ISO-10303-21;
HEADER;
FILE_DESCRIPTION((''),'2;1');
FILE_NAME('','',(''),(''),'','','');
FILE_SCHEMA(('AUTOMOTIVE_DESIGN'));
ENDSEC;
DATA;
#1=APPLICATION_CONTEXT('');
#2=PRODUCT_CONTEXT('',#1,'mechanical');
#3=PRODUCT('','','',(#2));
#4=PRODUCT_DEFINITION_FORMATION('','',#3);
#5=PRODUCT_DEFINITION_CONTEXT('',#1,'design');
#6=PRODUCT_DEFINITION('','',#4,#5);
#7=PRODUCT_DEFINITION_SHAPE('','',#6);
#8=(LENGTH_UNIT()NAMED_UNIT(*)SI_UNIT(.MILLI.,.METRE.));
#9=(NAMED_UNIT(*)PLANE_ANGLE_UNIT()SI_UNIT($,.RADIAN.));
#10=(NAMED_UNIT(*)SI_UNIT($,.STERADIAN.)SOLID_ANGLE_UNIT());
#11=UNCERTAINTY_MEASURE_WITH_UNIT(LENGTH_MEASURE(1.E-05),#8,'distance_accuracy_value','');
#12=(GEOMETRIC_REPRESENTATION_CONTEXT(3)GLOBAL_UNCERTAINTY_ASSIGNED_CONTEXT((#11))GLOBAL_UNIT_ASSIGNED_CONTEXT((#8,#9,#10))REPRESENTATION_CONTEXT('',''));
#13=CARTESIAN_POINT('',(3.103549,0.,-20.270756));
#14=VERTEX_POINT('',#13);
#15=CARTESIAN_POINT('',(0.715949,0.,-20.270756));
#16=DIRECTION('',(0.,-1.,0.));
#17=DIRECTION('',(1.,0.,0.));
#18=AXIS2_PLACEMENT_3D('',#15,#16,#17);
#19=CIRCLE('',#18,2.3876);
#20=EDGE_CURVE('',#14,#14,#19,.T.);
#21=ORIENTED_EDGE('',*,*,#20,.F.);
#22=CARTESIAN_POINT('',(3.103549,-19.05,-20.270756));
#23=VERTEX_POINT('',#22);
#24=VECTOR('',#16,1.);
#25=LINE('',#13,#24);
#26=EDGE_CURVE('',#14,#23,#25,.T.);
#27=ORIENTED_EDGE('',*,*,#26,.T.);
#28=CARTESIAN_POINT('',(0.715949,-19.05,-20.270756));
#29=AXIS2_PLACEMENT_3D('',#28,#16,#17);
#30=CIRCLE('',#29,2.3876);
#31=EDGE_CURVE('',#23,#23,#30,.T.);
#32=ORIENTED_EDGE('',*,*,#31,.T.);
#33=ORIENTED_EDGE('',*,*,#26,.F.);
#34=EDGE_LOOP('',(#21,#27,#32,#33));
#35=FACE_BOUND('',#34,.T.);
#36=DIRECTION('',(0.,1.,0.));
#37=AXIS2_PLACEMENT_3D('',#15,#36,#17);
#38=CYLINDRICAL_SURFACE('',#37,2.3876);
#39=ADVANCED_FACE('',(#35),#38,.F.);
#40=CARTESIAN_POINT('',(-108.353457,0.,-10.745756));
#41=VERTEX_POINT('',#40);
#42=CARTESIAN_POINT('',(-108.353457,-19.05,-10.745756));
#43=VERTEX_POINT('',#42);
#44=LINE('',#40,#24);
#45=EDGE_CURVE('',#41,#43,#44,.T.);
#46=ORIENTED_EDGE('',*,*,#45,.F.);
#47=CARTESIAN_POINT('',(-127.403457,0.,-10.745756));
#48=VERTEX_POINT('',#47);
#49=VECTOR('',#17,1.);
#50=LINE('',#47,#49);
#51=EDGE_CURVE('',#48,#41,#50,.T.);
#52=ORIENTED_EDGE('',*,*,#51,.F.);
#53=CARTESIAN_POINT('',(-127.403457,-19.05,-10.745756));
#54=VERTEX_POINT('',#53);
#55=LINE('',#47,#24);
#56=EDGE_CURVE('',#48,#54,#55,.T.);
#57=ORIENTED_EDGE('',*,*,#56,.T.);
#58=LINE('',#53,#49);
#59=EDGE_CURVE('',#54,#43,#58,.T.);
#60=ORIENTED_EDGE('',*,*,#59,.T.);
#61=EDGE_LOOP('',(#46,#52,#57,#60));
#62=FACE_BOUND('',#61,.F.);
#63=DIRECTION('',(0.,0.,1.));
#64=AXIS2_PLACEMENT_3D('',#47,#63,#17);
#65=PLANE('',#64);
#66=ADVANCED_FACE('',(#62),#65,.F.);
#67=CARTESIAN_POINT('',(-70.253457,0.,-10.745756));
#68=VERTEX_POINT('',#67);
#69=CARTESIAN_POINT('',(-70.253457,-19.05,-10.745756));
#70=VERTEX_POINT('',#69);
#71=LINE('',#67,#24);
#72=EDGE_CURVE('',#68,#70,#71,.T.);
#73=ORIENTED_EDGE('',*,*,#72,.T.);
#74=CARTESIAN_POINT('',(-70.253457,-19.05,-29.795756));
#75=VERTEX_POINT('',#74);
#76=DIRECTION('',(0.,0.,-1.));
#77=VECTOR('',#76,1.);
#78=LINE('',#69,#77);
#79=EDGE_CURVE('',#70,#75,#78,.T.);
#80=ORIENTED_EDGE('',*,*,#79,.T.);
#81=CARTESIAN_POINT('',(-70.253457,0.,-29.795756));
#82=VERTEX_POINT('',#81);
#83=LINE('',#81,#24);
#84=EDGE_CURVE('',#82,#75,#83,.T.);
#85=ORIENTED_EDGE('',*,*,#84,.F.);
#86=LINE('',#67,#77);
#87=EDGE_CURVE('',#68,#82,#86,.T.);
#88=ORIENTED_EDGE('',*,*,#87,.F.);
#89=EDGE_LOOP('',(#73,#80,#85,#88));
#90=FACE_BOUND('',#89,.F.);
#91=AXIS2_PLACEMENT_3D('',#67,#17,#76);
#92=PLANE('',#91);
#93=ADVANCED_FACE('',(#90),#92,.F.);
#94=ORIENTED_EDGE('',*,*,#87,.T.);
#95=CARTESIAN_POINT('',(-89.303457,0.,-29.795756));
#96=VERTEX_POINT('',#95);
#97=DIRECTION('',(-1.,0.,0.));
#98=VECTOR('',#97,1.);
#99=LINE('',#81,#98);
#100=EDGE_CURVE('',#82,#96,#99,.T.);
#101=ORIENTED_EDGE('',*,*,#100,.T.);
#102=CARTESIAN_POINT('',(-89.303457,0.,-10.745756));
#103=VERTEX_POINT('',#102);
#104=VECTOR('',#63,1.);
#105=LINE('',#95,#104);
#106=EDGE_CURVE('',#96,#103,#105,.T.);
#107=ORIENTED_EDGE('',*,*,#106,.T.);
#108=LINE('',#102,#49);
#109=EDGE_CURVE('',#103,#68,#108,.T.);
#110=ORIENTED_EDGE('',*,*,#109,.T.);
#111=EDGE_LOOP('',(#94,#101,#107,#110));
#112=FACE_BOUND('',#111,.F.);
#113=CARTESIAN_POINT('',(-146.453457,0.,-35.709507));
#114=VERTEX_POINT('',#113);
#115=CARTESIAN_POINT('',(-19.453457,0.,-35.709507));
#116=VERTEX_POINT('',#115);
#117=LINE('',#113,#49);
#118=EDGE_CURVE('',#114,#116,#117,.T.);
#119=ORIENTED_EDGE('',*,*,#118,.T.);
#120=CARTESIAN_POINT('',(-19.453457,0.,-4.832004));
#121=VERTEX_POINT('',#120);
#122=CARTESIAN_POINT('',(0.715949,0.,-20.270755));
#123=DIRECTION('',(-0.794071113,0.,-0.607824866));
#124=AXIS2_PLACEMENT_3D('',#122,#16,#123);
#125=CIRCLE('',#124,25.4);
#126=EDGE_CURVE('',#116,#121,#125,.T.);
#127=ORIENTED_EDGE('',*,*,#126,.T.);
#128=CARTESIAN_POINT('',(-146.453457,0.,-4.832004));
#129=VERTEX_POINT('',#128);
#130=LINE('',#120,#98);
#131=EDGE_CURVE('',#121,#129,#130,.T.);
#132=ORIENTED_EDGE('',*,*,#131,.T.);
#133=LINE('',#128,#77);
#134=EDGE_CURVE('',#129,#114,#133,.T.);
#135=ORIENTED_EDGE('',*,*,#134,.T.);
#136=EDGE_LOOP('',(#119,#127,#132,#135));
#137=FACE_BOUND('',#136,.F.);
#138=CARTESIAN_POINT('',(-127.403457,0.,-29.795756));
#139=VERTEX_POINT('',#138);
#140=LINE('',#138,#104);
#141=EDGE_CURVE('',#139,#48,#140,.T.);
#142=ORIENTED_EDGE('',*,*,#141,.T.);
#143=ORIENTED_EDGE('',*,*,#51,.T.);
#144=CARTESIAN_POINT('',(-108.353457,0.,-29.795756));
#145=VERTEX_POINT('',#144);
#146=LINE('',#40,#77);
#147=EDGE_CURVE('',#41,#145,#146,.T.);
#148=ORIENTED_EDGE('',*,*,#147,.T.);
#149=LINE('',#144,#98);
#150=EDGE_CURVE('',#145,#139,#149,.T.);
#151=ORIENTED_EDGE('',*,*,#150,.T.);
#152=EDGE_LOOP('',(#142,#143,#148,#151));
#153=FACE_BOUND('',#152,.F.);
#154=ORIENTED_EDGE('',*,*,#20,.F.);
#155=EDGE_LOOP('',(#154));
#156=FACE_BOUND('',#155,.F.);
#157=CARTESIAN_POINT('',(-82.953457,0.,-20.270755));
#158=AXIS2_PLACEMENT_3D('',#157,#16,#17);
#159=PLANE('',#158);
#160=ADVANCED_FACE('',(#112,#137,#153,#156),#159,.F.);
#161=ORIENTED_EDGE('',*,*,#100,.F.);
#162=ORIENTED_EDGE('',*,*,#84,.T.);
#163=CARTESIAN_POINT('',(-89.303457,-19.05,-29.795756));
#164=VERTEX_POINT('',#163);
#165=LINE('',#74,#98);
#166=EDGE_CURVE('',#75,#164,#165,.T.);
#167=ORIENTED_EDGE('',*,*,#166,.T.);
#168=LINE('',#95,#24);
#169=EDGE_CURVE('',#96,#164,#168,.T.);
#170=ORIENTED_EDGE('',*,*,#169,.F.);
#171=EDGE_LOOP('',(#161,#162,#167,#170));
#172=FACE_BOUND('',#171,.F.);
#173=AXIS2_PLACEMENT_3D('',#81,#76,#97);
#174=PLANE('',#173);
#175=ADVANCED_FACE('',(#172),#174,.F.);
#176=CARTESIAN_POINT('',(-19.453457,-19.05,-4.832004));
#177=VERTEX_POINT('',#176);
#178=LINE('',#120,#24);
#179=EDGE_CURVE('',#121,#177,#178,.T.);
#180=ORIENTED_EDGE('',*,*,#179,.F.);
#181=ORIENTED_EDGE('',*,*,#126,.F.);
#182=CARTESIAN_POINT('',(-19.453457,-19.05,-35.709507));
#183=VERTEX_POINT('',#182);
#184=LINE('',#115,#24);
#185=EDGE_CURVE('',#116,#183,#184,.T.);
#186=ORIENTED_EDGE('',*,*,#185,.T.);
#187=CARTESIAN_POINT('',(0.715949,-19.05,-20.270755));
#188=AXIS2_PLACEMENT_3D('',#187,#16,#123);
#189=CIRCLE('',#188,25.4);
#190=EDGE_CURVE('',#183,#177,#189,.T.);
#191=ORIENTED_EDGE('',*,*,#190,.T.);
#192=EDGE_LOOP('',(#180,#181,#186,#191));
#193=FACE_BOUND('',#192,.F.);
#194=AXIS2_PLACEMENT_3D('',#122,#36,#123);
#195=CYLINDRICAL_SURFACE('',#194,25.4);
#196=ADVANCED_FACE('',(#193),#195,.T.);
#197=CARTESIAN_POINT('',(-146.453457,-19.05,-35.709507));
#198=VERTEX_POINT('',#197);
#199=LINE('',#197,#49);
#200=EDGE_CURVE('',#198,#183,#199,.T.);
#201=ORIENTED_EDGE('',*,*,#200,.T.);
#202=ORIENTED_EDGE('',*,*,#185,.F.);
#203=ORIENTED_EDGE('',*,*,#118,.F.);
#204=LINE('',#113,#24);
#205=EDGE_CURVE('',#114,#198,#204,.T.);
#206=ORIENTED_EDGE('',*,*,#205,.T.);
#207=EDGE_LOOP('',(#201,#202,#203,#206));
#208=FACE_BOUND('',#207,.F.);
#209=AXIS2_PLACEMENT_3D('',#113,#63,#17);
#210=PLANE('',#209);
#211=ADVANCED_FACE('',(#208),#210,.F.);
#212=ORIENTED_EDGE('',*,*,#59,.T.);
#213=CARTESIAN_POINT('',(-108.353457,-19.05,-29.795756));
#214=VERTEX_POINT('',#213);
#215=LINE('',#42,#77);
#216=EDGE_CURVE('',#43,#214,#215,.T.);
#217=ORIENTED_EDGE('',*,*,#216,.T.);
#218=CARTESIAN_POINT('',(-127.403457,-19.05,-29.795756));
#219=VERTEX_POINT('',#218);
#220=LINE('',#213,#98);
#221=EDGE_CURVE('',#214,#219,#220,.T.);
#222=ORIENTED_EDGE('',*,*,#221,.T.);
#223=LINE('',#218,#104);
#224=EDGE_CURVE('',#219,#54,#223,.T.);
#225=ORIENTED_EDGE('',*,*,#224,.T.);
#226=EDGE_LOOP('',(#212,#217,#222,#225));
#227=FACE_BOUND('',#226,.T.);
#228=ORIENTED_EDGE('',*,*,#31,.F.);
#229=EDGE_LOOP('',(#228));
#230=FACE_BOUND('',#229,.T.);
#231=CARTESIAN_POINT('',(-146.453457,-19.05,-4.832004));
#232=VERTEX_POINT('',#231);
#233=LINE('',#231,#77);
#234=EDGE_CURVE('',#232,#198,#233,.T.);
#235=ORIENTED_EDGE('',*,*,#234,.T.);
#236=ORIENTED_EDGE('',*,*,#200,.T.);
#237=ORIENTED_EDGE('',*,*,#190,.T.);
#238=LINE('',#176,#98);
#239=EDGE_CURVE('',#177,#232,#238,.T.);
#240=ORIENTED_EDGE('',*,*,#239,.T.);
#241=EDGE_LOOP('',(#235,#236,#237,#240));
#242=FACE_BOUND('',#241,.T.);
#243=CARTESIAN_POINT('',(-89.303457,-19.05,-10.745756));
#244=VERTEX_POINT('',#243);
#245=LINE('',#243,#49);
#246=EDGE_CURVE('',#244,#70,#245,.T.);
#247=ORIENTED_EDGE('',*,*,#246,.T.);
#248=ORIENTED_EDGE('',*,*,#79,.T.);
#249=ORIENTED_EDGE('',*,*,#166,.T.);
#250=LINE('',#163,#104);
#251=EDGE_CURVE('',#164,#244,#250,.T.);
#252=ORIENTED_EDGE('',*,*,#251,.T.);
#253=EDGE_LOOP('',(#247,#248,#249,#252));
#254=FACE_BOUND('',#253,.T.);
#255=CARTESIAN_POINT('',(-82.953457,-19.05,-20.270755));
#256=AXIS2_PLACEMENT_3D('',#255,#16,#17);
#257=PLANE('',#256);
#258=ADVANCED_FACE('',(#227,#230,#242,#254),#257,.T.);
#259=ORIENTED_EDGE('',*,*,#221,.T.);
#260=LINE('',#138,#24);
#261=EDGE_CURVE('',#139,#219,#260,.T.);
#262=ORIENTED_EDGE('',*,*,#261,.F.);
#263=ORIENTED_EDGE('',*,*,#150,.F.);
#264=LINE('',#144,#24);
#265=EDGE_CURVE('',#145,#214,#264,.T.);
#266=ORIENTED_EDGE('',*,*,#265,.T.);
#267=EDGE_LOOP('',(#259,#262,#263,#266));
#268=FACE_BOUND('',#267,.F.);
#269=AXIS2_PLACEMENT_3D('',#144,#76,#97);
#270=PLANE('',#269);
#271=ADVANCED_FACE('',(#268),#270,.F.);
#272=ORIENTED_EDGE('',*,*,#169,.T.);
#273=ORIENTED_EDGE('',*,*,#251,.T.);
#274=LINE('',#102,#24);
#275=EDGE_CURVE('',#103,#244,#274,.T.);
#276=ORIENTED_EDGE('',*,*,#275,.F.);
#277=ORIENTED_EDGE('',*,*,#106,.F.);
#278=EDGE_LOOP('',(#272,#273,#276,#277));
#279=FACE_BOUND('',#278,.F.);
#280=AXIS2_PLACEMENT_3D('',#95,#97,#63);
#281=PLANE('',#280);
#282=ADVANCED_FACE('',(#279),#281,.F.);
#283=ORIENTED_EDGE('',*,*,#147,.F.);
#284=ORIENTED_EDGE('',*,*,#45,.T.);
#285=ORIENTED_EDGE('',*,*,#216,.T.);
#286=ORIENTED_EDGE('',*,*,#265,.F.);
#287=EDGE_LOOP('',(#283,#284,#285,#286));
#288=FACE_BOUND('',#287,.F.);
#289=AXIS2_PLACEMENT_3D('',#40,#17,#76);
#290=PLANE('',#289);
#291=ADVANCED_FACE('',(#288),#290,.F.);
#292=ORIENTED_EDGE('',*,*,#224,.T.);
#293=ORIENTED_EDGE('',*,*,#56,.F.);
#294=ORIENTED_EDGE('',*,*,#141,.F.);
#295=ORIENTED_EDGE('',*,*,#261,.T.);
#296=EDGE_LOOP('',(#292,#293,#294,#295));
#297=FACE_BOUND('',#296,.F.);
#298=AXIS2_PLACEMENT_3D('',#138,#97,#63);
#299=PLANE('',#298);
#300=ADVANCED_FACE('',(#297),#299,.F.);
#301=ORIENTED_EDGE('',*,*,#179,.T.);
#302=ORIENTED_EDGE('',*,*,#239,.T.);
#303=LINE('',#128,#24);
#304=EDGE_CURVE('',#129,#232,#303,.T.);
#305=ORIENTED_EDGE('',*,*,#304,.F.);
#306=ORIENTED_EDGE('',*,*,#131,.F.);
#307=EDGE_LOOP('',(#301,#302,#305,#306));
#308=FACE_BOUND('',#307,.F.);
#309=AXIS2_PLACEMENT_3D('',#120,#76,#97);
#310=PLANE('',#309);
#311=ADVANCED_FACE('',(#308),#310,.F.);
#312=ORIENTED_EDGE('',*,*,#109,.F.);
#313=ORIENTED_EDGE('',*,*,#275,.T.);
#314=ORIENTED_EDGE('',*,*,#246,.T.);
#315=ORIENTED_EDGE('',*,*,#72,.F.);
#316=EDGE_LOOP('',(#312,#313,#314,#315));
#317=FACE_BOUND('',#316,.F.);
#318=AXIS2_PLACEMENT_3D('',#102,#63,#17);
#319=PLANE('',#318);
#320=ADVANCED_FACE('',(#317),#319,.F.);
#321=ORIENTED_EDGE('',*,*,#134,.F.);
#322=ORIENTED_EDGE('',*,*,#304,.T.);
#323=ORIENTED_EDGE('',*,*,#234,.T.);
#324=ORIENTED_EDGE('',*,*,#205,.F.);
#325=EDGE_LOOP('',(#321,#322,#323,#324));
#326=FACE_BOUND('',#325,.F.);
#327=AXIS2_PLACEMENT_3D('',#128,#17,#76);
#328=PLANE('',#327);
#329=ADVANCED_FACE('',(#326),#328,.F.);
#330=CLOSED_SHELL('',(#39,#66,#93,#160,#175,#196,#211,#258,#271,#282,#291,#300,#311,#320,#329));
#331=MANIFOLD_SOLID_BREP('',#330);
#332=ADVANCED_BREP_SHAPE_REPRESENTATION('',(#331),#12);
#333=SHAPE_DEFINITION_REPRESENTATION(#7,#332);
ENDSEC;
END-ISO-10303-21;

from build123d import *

# Parameters (mm, degrees)
F0_R     = 2.3876
F1_DEPTH = 19.05


with BuildPart() as f1:
    # F0 (on Front) → F1 (new body)
    with BuildSketch(Plane.XZ):
        Polygon((-19.453457, -4.832004), (-146.453457, -4.832004), (-146.453457, -20.270756), (-146.453457, -35.709507), (-19.453457, -35.709507), align=None)
        Polygon((-127.403457, -29.795756), (-127.403457, -20.270756), (-127.403457, -10.745756), (-108.353457, -10.745756), (-108.353457, -20.270756), (-108.353457, -29.795756), align=None, mode=Mode.SUBTRACT)
        Polygon((-89.303457, -29.795756), (-89.303457, -20.270756), (-89.303457, -10.745756), (-70.253457, -10.745756), (-70.253457, -20.270756), (-70.253457, -29.795756), align=None, mode=Mode.SUBTRACT)
        with BuildLine():
            ThreePointArc((-19.453457, -35.709507), (26.115949, -20.270756), (-19.453457, -4.832004))
            Line((-19.453457, -4.832004), (-19.453457, -35.709507))
        make_face()
        with Locations((0.715949, -20.270756)):
            Circle(F0_R, mode=Mode.SUBTRACT)
    extrude(amount=F1_DEPTH)


solid = f1.part
